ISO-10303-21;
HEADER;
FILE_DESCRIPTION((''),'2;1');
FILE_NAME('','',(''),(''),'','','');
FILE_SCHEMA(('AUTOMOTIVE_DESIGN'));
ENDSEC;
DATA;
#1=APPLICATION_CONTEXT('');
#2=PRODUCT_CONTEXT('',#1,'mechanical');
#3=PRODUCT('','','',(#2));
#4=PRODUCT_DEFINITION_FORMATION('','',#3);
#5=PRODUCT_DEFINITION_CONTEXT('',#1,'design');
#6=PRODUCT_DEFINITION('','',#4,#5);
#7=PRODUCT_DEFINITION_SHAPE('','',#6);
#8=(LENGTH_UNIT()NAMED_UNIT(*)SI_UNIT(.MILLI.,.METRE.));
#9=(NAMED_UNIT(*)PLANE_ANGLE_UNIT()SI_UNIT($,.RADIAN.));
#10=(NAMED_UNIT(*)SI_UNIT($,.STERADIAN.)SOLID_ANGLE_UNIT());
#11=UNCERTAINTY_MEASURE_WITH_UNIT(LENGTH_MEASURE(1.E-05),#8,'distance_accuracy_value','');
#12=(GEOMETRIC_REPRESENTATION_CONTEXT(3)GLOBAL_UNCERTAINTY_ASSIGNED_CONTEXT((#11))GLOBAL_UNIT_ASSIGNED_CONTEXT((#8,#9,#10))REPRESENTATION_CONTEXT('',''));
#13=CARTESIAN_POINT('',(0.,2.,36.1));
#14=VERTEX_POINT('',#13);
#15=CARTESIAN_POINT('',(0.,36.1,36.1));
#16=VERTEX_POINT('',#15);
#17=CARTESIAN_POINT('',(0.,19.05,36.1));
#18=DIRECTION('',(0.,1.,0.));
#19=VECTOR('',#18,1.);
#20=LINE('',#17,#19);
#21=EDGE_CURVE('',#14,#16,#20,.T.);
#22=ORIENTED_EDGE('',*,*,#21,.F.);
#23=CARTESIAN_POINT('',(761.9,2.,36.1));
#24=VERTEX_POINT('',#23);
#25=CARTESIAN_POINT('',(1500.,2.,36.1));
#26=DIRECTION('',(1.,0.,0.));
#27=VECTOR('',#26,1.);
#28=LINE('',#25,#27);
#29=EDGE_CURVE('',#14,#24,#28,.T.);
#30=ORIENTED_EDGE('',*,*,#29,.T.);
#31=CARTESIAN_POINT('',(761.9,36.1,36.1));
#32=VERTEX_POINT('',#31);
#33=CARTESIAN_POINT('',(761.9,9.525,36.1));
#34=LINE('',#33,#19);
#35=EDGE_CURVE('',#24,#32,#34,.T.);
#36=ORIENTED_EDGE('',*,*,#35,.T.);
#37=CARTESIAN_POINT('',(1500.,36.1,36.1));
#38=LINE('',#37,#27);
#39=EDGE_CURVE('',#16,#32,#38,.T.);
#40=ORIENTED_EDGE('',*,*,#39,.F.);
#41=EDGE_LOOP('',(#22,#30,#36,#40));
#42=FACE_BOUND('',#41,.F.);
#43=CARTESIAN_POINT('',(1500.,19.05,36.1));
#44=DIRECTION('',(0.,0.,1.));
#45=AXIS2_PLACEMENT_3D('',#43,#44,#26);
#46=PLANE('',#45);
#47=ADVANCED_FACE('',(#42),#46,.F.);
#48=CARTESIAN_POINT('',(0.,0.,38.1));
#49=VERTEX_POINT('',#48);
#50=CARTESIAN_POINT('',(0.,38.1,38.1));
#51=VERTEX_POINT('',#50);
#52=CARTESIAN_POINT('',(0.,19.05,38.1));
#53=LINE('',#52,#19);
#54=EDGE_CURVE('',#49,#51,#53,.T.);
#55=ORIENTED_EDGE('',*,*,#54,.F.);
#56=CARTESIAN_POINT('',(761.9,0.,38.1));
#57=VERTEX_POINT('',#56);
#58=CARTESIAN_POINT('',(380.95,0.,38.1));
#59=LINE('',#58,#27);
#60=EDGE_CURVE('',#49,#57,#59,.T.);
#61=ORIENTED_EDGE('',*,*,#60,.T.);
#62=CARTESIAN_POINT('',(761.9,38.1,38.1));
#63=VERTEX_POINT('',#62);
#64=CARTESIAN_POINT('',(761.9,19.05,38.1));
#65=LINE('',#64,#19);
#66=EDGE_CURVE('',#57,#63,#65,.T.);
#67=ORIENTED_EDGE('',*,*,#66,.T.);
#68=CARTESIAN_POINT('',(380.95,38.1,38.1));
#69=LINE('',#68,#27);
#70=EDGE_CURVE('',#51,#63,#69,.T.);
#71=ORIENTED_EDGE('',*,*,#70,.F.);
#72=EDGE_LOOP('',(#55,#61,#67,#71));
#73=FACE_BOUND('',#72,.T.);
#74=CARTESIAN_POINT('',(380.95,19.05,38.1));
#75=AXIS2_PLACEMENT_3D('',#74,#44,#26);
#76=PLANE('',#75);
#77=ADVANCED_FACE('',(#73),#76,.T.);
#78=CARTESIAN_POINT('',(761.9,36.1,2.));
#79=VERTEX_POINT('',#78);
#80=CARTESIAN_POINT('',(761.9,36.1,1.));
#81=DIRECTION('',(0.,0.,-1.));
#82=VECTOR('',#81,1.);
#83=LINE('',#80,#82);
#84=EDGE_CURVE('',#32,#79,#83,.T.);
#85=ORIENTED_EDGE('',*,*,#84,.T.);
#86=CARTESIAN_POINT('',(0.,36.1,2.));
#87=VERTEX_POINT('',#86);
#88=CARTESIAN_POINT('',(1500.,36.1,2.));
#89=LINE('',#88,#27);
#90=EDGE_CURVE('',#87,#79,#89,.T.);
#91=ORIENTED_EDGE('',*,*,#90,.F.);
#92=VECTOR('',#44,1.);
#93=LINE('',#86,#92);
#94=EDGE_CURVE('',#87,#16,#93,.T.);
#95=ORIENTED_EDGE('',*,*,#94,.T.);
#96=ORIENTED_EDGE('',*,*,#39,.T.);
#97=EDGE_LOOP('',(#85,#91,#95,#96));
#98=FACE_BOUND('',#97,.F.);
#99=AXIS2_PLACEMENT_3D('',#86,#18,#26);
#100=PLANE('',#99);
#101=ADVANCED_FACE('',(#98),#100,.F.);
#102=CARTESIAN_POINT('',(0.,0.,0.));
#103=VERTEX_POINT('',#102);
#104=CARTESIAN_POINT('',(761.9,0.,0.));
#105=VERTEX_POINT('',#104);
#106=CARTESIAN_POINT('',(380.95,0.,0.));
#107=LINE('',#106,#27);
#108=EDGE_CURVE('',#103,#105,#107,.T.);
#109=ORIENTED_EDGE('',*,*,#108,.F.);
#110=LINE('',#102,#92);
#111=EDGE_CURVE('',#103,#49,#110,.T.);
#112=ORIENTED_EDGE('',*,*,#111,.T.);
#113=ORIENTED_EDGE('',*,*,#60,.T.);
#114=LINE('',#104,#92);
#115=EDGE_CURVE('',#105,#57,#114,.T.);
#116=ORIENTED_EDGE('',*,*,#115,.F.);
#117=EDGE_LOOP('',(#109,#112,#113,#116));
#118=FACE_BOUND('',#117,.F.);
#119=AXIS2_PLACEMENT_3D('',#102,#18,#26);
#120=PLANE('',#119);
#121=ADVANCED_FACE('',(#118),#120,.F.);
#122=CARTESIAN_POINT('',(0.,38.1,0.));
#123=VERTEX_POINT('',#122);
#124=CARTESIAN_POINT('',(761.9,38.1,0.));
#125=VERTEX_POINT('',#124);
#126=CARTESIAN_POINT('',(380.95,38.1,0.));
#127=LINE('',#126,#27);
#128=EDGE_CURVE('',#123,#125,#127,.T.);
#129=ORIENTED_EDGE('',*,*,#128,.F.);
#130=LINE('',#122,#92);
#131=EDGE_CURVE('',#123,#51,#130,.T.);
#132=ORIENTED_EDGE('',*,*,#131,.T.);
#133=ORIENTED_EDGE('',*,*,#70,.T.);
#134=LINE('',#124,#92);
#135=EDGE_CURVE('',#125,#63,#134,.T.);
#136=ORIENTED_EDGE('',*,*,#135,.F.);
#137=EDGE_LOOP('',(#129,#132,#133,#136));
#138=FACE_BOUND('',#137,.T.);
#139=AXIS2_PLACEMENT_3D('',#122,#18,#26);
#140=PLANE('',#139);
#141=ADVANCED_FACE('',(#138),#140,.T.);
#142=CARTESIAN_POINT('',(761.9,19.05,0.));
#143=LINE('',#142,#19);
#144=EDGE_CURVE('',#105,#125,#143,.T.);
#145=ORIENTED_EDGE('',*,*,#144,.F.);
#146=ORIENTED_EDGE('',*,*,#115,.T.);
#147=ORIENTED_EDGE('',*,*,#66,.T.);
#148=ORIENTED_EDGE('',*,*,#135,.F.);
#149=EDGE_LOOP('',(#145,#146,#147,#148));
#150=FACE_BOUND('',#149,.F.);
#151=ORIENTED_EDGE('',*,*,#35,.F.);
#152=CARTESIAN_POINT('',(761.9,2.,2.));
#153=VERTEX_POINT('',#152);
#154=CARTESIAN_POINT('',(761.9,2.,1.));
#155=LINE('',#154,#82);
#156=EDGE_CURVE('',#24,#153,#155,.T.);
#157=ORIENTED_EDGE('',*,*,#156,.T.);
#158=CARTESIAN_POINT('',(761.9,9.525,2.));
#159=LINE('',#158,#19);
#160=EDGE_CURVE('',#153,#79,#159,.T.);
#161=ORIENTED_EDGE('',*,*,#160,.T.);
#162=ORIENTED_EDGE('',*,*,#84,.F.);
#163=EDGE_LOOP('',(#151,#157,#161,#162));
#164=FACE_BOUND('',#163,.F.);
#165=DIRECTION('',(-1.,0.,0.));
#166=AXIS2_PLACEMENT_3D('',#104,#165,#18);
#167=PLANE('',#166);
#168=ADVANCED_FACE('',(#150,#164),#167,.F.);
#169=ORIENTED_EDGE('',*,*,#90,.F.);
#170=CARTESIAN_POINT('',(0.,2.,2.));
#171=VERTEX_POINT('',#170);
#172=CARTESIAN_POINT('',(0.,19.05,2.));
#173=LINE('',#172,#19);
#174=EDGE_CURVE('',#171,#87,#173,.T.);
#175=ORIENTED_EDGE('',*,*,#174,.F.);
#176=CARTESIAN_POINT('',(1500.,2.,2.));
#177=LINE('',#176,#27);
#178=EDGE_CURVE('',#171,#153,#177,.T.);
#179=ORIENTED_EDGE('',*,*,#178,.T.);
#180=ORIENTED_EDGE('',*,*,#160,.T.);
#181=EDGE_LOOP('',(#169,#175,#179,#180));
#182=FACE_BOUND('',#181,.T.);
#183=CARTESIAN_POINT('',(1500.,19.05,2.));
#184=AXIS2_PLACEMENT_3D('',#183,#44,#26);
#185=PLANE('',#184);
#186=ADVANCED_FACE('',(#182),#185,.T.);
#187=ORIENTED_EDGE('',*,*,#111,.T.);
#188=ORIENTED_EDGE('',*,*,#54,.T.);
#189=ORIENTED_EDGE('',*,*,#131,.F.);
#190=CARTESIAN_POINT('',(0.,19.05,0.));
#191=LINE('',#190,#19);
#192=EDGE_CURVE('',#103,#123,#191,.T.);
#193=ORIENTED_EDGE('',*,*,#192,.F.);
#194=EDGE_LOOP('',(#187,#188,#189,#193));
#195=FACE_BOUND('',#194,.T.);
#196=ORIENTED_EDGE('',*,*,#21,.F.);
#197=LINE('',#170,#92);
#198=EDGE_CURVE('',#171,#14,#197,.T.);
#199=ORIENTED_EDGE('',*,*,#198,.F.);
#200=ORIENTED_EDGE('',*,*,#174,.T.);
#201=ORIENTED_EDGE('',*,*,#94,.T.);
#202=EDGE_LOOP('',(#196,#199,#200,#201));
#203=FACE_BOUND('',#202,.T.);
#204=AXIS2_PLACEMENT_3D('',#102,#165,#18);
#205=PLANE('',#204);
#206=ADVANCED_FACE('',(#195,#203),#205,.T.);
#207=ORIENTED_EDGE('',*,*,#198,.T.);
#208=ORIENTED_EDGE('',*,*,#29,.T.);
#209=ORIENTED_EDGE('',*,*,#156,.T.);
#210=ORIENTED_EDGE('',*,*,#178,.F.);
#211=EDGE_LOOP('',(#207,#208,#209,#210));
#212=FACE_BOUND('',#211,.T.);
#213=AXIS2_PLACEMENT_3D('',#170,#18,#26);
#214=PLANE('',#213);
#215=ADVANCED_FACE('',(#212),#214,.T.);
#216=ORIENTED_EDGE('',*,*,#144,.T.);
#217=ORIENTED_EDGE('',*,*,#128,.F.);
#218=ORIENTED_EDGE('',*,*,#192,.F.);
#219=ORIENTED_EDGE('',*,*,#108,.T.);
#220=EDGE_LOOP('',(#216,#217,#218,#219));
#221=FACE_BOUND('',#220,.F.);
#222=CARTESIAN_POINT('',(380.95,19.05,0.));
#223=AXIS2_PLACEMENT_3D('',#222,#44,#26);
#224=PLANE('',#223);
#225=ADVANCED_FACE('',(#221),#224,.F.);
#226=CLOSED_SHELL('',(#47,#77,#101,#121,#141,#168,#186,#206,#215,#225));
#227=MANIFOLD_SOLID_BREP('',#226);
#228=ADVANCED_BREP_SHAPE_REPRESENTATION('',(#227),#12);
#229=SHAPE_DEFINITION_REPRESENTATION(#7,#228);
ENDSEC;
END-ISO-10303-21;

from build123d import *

# Parameters (mm, degrees)
BOX001_W     = 3000
BOX001_H     = 34.1
BOX001_DEPTH = 34.1
BOX_W        = 761.9
BOX_H        = 38.1
BOX_DEPTH    = 38.1


with BuildPart() as cubointerno:
    # Box001 → Box001 (new body)
    with BuildSketch(Plane(origin=(0, 2, 2), x_dir=(1, 0, 0), z_dir=(0, 0, 1))):
        with Locations((1500, 17.05)):
            Rectangle(BOX001_W, BOX001_H)
    extrude(amount=BOX001_DEPTH)


with BuildPart() as sp_ptc1ymedia_cal14_300cm_cut90:
    # Box → Box (new body)
    with BuildSketch(Plane.XY):
        with Locations((380.95, 19.05)):
            Rectangle(BOX_W, BOX_H)
    extrude(amount=BOX_DEPTH)

    # Cut: cut CuboInterno
    add(cubointerno.part, mode=Mode.SUBTRACT)


solid = sp_ptc1ymedia_cal14_300cm_cut90.part
